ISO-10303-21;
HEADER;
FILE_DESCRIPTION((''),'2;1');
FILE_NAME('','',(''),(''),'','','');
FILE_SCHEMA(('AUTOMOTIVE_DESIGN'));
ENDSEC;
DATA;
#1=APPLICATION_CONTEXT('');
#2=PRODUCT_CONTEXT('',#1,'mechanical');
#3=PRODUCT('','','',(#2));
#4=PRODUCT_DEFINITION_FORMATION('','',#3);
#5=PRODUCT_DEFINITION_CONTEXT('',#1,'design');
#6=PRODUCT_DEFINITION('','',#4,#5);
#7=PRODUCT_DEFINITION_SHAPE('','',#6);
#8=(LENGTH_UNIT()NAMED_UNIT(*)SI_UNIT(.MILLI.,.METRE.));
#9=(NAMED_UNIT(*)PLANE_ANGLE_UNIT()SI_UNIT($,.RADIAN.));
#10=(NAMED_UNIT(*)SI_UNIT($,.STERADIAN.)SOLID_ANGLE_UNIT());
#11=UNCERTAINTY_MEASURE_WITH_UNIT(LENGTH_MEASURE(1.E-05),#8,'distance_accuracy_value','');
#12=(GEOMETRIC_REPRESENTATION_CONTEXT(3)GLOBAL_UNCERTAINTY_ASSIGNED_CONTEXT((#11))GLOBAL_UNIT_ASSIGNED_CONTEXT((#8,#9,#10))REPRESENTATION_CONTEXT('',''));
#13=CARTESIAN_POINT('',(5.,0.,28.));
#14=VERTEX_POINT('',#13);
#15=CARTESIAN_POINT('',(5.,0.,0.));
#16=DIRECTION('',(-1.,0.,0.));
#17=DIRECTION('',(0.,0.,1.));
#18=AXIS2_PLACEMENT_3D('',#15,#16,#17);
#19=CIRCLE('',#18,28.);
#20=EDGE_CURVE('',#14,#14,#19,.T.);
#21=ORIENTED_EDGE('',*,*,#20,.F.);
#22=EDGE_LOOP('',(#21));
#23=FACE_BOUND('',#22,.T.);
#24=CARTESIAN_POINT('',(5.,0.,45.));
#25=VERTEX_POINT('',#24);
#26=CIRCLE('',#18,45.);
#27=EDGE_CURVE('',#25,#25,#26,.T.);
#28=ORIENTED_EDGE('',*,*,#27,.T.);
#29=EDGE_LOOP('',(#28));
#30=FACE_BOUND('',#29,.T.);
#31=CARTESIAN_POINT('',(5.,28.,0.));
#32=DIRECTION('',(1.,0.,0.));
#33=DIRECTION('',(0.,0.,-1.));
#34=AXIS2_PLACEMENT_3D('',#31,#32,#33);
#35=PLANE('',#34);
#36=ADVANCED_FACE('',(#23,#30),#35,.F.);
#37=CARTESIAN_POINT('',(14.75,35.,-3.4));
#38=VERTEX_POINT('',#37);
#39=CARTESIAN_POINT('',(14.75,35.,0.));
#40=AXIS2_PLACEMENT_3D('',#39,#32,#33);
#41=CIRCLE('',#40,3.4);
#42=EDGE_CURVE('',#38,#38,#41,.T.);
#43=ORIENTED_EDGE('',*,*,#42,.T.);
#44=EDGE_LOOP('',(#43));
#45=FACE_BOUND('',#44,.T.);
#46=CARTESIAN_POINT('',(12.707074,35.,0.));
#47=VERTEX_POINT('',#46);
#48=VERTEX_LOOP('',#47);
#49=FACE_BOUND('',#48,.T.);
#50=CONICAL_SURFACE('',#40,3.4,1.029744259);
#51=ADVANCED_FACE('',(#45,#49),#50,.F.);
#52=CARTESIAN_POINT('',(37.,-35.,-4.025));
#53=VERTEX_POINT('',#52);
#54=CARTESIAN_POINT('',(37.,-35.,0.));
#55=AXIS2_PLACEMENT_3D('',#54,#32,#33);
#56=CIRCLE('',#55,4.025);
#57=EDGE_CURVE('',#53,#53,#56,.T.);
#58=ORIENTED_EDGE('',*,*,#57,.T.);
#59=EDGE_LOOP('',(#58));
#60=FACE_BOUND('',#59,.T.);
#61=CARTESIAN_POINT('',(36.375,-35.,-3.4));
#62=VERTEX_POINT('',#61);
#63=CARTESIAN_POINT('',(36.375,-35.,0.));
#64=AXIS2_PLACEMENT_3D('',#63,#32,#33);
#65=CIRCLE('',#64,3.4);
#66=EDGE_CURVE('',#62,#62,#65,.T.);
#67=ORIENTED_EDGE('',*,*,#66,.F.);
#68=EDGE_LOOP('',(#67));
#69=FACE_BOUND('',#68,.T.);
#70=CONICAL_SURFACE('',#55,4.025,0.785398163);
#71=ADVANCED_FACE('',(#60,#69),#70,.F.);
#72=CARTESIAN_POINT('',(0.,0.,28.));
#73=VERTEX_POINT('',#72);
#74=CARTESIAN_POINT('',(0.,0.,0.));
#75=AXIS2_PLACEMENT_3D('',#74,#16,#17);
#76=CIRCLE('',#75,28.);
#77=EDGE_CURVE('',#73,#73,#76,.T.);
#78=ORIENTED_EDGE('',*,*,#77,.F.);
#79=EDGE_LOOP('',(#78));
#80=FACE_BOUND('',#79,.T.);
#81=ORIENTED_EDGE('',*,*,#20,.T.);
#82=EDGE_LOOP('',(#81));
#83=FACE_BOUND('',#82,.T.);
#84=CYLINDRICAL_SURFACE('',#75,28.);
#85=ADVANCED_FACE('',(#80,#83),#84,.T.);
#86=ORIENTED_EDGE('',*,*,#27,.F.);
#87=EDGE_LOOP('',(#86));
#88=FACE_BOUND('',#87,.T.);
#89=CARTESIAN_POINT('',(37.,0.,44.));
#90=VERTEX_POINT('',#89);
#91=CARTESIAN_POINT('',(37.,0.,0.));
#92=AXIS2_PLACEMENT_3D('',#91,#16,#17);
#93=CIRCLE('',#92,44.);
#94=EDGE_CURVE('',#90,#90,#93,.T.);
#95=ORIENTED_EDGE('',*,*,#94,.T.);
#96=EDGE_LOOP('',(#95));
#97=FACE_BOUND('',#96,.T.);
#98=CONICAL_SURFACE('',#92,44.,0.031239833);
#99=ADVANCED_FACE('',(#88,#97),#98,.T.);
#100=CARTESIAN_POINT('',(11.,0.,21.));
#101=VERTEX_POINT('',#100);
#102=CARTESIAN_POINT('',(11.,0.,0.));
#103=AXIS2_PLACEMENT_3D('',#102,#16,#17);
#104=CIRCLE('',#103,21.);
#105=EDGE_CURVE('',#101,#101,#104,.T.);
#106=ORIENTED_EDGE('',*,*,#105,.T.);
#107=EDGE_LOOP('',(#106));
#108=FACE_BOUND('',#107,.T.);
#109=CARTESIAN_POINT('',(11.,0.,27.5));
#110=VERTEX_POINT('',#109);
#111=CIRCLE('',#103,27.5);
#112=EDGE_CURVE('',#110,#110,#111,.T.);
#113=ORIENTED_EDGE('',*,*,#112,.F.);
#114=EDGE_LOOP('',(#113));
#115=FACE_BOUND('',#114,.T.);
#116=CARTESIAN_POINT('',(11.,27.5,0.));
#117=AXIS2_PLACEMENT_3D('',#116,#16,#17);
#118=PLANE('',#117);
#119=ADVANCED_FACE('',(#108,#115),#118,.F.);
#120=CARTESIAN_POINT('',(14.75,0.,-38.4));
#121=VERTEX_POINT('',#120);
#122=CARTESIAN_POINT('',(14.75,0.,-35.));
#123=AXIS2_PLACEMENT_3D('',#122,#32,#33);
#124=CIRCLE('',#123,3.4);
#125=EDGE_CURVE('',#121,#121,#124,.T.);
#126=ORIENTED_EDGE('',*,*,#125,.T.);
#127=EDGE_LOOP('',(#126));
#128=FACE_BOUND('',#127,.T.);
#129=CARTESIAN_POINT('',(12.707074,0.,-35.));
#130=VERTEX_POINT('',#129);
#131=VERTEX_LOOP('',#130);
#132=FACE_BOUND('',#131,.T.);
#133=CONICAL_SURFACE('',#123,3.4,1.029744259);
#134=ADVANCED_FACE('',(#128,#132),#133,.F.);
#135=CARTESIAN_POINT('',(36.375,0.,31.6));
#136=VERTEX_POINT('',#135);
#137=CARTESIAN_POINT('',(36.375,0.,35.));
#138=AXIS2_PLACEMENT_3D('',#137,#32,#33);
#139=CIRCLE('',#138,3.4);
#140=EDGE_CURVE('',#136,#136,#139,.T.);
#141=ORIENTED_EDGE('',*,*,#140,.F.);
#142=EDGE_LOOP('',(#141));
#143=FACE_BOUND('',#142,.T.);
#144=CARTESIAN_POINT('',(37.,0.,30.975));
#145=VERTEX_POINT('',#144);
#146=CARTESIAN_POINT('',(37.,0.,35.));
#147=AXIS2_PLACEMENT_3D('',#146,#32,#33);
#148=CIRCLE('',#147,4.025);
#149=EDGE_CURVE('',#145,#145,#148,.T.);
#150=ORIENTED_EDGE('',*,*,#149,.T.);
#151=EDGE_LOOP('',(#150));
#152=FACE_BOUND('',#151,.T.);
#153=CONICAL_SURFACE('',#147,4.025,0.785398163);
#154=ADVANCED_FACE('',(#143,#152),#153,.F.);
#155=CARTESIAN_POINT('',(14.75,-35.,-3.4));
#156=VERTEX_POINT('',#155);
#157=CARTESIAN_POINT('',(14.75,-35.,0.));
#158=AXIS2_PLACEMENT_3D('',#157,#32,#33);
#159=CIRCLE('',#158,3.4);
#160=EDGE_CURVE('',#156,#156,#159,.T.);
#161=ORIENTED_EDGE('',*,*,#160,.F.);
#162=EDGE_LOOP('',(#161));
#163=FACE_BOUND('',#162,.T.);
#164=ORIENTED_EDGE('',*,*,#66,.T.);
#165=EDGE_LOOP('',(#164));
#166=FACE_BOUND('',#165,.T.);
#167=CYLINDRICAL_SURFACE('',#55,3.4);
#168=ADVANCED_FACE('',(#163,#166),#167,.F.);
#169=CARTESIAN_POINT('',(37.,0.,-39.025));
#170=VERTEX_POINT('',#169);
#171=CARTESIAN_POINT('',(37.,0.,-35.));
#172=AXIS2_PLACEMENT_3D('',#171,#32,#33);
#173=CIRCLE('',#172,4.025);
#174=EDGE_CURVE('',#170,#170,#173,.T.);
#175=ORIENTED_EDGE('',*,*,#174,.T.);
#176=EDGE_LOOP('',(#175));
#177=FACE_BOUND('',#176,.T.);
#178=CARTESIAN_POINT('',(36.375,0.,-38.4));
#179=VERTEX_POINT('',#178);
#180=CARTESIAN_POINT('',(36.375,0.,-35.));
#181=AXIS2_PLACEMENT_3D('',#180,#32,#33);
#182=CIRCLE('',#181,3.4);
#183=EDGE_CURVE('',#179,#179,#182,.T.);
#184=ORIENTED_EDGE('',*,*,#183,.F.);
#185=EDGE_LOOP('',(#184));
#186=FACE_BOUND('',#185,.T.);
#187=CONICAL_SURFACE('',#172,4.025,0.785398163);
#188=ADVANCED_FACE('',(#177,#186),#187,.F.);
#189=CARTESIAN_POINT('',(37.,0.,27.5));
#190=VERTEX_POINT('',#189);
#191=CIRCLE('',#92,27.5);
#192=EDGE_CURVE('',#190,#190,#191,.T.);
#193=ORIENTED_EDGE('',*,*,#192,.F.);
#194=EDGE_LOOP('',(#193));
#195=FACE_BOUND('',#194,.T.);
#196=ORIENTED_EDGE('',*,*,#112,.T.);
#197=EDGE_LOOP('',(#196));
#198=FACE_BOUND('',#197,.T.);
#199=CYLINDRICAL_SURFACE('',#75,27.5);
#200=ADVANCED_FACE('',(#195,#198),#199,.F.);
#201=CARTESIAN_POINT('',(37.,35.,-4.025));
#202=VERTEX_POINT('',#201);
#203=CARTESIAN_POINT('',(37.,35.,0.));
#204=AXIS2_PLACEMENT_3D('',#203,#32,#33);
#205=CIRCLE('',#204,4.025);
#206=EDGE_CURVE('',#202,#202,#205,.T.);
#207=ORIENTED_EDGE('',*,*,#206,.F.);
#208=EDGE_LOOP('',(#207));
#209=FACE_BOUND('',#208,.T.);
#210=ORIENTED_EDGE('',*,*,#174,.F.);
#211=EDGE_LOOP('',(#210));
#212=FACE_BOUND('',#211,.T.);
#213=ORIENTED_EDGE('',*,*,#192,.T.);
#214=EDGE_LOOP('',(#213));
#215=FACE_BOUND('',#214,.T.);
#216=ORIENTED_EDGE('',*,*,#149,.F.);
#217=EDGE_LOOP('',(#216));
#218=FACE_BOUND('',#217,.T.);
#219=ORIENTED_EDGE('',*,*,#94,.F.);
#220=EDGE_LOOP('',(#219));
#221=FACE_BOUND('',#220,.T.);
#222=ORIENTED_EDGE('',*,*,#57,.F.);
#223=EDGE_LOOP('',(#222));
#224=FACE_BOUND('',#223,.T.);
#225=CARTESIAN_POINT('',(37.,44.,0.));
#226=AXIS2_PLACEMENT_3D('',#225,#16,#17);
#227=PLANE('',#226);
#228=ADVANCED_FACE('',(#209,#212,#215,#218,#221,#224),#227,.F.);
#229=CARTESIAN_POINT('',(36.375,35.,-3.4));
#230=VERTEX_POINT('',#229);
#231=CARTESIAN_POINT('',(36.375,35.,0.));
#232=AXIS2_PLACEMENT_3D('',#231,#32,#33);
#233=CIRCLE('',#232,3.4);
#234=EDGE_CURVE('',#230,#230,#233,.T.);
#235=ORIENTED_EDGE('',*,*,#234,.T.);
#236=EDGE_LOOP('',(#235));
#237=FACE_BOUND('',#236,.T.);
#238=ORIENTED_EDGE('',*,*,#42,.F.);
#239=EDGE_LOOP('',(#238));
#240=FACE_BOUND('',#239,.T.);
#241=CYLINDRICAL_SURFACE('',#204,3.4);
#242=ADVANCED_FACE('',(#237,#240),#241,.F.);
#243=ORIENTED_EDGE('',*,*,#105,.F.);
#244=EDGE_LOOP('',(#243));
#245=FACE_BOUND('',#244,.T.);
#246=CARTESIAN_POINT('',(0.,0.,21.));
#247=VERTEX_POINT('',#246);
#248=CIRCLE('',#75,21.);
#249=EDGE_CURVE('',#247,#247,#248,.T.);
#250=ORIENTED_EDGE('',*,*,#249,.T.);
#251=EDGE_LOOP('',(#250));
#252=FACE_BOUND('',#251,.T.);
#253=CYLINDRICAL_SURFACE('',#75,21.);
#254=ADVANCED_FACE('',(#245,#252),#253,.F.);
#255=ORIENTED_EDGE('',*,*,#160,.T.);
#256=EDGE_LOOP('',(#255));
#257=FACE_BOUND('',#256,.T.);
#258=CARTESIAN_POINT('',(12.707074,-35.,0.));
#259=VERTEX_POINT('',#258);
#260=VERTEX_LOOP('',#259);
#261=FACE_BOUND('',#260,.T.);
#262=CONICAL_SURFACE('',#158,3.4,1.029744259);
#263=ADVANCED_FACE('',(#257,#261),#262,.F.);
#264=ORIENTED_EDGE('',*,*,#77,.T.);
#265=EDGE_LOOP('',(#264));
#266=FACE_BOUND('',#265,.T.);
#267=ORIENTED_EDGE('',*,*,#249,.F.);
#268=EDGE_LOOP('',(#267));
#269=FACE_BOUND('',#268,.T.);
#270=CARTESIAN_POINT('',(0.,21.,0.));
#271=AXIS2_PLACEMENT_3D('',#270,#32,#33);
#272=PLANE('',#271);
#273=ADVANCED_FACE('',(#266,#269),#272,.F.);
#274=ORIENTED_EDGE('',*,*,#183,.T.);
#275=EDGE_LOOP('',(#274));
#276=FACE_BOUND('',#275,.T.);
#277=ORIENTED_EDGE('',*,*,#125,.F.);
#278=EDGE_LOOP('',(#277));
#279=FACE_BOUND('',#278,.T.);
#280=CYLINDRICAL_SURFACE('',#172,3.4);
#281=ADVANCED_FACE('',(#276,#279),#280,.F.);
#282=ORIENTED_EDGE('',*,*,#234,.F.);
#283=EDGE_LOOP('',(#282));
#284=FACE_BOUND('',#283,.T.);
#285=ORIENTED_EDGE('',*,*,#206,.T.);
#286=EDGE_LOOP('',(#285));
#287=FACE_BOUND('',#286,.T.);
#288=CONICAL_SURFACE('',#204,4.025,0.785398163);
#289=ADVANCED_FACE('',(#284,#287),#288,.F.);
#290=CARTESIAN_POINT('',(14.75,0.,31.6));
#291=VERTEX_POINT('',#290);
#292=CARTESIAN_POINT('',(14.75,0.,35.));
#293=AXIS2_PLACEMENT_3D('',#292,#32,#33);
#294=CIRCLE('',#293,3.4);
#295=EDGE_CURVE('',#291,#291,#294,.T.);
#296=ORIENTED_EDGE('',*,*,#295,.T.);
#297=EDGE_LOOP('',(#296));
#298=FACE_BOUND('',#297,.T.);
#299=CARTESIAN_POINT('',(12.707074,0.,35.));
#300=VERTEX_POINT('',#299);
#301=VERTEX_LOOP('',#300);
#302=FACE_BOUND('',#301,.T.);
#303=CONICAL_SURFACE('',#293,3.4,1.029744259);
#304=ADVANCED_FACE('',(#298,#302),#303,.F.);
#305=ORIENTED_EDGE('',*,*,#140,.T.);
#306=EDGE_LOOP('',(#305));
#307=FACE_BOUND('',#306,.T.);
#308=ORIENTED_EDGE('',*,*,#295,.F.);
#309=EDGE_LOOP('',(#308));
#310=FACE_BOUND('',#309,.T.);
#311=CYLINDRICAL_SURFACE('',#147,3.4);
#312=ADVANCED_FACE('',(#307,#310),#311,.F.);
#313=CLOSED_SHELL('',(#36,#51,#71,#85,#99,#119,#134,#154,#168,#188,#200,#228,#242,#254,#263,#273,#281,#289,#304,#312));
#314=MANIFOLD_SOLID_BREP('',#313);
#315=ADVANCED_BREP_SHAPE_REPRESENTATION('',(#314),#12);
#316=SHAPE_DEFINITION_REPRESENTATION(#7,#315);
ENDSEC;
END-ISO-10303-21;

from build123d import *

# Parameters (mm, degrees)
CIRPATTERN1_COUNT = 4


with BuildPart() as part:
    # Sketch1 → Revolve1 (revolve)
    with BuildSketch(Plane.XY, mode=Mode.PRIVATE) as revolve1_sk:
        Polygon((0, 21), (11, 21), (11, 27.5), (37, 27.5), (37, 44), (5, 45), (5, 28), (0, 28), align=None)
    revolve(revolve1_sk.sketch.rotate(Axis((0, 0, 0), (1, 0, 0)), 90), axis=Axis((0, 0, 0), (1, 0, 0)))

    # Sketch4 → M8 Tapped Hole1 (revolve, cut)
    with BuildSketch(Plane(origin=(37, 35, 0), x_dir=(0, 0, -1), z_dir=(0, 1, 0))):
        Polygon((0, 0), (0, 24.292926105), (3.4, 22.25), (3.4, 0.625), (4.025, 0), align=None)
    m8_tapped_hole1 = revolve(axis=Axis((43.35, 35, 0), (-1, 0, 0)), mode=Mode.SUBTRACT)

    # CirPattern1: M8 Tapped Hole1 ×4 about axis
    cirpattern1_axis = Axis((0, 0, 0), (1, 0, 0))
    for i in range(1, CIRPATTERN1_COUNT):
        add(m8_tapped_hole1.rotate(cirpattern1_axis, i * 360 / CIRPATTERN1_COUNT), mode=Mode.SUBTRACT)


solid = part.part
